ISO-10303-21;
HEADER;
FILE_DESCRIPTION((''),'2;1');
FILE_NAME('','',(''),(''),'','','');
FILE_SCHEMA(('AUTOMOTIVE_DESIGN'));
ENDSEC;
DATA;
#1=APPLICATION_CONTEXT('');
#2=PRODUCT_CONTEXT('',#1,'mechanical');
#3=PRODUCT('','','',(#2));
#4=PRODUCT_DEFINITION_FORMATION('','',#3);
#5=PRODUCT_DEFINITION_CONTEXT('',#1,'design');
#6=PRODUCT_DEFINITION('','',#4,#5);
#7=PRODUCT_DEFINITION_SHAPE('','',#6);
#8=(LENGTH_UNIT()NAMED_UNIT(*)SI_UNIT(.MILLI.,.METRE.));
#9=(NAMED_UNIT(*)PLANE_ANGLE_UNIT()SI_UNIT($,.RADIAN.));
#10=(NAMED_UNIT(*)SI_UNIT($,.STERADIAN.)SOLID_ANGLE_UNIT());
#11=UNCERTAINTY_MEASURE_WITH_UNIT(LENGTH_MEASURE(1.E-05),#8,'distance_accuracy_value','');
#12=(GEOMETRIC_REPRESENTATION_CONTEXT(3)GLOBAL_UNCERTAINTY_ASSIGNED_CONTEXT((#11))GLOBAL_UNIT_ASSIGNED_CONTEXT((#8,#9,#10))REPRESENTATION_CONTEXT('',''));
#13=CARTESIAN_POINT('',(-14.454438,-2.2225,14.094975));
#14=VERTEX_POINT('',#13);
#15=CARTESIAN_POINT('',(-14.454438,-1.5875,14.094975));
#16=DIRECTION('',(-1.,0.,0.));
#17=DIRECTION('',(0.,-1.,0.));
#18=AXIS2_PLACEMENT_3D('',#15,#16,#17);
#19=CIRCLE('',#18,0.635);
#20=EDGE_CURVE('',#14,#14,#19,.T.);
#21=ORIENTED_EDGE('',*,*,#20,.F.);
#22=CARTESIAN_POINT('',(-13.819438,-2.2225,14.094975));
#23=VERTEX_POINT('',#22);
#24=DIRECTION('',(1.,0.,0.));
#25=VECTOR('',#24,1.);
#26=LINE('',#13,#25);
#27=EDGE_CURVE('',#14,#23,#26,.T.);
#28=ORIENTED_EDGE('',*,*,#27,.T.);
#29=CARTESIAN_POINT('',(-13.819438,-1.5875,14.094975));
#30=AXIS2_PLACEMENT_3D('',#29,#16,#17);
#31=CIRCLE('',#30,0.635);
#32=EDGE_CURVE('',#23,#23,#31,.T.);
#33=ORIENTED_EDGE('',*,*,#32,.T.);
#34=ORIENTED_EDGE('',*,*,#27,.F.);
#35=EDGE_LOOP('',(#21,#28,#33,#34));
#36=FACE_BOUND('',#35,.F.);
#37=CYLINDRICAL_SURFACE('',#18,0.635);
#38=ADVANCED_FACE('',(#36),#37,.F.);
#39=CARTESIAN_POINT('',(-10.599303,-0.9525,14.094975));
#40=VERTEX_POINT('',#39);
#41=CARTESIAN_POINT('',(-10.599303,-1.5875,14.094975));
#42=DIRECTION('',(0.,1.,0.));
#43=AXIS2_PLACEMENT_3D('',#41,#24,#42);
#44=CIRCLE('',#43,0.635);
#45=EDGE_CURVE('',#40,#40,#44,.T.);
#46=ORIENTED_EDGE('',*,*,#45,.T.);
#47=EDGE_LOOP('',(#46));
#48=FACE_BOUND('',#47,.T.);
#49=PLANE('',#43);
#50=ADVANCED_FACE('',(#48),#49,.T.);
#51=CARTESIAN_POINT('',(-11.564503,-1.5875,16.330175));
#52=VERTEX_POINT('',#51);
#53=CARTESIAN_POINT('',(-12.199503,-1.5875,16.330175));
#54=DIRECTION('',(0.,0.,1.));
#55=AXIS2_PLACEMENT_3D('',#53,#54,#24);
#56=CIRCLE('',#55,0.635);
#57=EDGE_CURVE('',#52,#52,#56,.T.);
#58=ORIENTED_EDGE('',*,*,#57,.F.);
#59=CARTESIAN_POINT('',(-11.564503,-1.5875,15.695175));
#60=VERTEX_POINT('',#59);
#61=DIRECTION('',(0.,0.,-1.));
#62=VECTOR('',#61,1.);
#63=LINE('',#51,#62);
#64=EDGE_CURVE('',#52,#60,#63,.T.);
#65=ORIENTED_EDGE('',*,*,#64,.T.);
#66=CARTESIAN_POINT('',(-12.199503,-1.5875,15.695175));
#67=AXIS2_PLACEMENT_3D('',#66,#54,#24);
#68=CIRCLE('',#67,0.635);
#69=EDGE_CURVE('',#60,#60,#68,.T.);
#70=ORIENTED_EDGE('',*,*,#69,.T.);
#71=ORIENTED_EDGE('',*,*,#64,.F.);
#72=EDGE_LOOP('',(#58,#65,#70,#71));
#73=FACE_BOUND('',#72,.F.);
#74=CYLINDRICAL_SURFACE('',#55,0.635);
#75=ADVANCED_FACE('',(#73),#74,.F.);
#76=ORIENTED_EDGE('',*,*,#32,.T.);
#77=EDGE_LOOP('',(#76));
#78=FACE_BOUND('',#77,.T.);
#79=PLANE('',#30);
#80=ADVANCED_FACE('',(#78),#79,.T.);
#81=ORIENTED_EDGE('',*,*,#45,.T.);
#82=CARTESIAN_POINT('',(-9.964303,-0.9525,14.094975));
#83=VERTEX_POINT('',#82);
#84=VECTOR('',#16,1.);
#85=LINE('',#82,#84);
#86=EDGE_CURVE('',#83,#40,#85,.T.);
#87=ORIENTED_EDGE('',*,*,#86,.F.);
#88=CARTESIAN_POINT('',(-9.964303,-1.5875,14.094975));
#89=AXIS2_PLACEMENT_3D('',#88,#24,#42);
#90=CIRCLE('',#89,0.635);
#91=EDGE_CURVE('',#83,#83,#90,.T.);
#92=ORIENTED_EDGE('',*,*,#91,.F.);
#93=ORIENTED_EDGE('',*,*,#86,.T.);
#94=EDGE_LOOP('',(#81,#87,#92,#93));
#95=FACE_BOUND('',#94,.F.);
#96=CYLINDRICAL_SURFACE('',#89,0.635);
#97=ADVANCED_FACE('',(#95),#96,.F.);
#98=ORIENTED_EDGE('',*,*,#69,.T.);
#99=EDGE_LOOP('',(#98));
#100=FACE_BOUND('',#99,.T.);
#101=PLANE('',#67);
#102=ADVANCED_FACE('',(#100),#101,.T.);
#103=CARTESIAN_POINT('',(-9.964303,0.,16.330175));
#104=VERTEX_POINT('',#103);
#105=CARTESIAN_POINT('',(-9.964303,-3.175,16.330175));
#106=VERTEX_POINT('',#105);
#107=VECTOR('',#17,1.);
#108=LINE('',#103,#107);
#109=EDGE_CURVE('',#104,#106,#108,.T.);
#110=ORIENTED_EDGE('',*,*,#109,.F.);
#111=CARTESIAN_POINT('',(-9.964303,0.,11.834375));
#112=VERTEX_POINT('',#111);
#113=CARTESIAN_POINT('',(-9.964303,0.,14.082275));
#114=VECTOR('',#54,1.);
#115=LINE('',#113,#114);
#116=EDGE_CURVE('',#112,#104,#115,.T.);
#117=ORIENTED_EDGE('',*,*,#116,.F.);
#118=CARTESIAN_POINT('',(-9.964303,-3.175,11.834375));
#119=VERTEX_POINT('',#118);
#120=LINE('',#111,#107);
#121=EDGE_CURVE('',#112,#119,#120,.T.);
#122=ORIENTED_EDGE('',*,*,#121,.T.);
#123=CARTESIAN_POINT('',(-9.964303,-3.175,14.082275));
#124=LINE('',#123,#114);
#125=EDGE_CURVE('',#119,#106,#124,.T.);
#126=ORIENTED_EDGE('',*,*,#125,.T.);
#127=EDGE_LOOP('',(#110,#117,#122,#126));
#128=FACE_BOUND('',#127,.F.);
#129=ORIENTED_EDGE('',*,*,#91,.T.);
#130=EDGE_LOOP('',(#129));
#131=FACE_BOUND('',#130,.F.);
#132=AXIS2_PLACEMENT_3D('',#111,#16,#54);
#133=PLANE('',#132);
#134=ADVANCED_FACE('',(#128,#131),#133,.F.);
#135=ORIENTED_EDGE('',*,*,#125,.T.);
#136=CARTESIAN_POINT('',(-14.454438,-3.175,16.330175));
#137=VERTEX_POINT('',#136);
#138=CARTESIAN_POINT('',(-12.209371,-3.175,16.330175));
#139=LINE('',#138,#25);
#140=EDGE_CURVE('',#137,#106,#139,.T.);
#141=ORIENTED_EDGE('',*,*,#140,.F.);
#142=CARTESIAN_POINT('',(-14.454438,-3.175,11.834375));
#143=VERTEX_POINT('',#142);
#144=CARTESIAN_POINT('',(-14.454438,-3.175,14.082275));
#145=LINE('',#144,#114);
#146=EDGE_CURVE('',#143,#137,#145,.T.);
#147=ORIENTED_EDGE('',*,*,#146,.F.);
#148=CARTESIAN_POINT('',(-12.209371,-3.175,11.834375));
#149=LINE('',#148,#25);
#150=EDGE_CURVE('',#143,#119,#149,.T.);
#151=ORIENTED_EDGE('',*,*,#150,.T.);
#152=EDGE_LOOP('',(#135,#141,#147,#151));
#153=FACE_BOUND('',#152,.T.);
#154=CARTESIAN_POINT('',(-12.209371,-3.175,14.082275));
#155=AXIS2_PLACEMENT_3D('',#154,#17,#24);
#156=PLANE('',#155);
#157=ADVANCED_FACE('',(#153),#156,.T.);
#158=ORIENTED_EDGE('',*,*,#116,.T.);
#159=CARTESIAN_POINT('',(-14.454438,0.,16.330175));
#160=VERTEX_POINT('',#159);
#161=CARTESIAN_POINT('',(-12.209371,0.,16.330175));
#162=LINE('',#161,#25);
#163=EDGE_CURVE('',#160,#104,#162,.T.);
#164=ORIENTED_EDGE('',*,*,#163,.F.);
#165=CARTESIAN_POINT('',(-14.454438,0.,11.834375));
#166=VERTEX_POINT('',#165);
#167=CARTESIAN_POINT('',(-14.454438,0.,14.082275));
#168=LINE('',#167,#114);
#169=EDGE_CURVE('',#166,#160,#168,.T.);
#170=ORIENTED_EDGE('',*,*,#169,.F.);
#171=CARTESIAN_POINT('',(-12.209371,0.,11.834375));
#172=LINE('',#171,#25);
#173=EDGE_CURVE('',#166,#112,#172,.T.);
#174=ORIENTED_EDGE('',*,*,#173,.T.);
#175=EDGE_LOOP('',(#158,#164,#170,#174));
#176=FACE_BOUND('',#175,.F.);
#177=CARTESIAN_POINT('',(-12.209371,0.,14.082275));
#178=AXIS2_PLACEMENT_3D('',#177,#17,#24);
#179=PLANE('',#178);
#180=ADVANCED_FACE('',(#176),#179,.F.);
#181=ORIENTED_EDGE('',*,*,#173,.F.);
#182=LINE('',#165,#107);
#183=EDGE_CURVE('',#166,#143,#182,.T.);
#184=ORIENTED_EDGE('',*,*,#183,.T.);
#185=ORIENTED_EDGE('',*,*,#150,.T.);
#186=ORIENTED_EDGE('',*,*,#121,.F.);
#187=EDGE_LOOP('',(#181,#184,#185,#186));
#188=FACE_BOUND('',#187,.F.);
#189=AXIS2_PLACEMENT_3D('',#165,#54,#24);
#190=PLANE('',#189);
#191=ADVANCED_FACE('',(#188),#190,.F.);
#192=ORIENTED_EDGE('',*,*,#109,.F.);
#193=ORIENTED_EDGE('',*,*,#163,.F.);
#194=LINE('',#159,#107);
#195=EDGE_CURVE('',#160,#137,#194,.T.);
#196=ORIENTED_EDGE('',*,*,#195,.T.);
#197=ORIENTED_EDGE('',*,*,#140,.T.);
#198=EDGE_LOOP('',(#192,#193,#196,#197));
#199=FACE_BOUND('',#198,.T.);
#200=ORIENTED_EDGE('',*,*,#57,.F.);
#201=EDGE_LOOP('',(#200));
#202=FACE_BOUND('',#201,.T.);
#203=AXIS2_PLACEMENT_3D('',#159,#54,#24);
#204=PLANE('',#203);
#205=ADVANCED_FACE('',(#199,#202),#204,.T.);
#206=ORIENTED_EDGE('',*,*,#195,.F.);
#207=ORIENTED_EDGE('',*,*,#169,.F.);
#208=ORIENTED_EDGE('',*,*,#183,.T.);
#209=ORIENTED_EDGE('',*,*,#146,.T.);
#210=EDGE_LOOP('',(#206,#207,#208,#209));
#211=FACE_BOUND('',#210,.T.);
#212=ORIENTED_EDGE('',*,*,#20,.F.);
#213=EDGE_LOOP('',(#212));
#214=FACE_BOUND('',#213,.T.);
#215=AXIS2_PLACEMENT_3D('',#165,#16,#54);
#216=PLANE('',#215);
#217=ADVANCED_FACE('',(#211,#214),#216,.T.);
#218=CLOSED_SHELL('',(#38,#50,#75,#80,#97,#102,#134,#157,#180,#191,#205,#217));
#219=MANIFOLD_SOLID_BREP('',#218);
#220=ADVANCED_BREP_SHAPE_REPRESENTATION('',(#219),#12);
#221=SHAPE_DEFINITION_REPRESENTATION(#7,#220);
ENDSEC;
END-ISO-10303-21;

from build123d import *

# Parameters (mm, degrees)
F0_W     = 4.4901358
F0_H     = 4.4958
F1_DEPTH = 3.175
F2_R     = 0.635
F3_DEPTH = 0.635
F4_R     = 0.635
F5_DEPTH = 0.635
F6_R     = 0.635
F7_DEPTH = 0.635


with BuildPart() as f1:
    # F0 (on Front) → F1 (new body)
    with BuildSketch(Plane.XZ):
        with Locations((-12.2093705867, 14.0822748512)):
            Rectangle(F0_W, F0_H)
    extrude(amount=F1_DEPTH)

    # F2 (on face) → F3 (cut)
    with BuildSketch(Plane.YZ.offset(-9.9643026867)):
        with Locations((-1.5875, 14.0949748512)):
            Circle(F2_R)
    extrude(amount=-F3_DEPTH, mode=Mode.SUBTRACT)

    # F4 (on face) → F5 (cut)
    with BuildSketch(Plane(origin=(-14.4544384867, 0, 0), x_dir=(0, -1, 0), z_dir=(-1, 0, 0))):
        with Locations((1.5875, 14.0949748512)):
            Circle(F4_R)
    extrude(amount=-F5_DEPTH, mode=Mode.SUBTRACT)

    # F6 (on face) → F7 (cut)
    with BuildSketch(Plane.XY.offset(16.3301748512)):
        with Locations((-12.1995026867, -1.5875)):
            Circle(F6_R)
    extrude(amount=-F7_DEPTH, mode=Mode.SUBTRACT)


solid = f1.part
